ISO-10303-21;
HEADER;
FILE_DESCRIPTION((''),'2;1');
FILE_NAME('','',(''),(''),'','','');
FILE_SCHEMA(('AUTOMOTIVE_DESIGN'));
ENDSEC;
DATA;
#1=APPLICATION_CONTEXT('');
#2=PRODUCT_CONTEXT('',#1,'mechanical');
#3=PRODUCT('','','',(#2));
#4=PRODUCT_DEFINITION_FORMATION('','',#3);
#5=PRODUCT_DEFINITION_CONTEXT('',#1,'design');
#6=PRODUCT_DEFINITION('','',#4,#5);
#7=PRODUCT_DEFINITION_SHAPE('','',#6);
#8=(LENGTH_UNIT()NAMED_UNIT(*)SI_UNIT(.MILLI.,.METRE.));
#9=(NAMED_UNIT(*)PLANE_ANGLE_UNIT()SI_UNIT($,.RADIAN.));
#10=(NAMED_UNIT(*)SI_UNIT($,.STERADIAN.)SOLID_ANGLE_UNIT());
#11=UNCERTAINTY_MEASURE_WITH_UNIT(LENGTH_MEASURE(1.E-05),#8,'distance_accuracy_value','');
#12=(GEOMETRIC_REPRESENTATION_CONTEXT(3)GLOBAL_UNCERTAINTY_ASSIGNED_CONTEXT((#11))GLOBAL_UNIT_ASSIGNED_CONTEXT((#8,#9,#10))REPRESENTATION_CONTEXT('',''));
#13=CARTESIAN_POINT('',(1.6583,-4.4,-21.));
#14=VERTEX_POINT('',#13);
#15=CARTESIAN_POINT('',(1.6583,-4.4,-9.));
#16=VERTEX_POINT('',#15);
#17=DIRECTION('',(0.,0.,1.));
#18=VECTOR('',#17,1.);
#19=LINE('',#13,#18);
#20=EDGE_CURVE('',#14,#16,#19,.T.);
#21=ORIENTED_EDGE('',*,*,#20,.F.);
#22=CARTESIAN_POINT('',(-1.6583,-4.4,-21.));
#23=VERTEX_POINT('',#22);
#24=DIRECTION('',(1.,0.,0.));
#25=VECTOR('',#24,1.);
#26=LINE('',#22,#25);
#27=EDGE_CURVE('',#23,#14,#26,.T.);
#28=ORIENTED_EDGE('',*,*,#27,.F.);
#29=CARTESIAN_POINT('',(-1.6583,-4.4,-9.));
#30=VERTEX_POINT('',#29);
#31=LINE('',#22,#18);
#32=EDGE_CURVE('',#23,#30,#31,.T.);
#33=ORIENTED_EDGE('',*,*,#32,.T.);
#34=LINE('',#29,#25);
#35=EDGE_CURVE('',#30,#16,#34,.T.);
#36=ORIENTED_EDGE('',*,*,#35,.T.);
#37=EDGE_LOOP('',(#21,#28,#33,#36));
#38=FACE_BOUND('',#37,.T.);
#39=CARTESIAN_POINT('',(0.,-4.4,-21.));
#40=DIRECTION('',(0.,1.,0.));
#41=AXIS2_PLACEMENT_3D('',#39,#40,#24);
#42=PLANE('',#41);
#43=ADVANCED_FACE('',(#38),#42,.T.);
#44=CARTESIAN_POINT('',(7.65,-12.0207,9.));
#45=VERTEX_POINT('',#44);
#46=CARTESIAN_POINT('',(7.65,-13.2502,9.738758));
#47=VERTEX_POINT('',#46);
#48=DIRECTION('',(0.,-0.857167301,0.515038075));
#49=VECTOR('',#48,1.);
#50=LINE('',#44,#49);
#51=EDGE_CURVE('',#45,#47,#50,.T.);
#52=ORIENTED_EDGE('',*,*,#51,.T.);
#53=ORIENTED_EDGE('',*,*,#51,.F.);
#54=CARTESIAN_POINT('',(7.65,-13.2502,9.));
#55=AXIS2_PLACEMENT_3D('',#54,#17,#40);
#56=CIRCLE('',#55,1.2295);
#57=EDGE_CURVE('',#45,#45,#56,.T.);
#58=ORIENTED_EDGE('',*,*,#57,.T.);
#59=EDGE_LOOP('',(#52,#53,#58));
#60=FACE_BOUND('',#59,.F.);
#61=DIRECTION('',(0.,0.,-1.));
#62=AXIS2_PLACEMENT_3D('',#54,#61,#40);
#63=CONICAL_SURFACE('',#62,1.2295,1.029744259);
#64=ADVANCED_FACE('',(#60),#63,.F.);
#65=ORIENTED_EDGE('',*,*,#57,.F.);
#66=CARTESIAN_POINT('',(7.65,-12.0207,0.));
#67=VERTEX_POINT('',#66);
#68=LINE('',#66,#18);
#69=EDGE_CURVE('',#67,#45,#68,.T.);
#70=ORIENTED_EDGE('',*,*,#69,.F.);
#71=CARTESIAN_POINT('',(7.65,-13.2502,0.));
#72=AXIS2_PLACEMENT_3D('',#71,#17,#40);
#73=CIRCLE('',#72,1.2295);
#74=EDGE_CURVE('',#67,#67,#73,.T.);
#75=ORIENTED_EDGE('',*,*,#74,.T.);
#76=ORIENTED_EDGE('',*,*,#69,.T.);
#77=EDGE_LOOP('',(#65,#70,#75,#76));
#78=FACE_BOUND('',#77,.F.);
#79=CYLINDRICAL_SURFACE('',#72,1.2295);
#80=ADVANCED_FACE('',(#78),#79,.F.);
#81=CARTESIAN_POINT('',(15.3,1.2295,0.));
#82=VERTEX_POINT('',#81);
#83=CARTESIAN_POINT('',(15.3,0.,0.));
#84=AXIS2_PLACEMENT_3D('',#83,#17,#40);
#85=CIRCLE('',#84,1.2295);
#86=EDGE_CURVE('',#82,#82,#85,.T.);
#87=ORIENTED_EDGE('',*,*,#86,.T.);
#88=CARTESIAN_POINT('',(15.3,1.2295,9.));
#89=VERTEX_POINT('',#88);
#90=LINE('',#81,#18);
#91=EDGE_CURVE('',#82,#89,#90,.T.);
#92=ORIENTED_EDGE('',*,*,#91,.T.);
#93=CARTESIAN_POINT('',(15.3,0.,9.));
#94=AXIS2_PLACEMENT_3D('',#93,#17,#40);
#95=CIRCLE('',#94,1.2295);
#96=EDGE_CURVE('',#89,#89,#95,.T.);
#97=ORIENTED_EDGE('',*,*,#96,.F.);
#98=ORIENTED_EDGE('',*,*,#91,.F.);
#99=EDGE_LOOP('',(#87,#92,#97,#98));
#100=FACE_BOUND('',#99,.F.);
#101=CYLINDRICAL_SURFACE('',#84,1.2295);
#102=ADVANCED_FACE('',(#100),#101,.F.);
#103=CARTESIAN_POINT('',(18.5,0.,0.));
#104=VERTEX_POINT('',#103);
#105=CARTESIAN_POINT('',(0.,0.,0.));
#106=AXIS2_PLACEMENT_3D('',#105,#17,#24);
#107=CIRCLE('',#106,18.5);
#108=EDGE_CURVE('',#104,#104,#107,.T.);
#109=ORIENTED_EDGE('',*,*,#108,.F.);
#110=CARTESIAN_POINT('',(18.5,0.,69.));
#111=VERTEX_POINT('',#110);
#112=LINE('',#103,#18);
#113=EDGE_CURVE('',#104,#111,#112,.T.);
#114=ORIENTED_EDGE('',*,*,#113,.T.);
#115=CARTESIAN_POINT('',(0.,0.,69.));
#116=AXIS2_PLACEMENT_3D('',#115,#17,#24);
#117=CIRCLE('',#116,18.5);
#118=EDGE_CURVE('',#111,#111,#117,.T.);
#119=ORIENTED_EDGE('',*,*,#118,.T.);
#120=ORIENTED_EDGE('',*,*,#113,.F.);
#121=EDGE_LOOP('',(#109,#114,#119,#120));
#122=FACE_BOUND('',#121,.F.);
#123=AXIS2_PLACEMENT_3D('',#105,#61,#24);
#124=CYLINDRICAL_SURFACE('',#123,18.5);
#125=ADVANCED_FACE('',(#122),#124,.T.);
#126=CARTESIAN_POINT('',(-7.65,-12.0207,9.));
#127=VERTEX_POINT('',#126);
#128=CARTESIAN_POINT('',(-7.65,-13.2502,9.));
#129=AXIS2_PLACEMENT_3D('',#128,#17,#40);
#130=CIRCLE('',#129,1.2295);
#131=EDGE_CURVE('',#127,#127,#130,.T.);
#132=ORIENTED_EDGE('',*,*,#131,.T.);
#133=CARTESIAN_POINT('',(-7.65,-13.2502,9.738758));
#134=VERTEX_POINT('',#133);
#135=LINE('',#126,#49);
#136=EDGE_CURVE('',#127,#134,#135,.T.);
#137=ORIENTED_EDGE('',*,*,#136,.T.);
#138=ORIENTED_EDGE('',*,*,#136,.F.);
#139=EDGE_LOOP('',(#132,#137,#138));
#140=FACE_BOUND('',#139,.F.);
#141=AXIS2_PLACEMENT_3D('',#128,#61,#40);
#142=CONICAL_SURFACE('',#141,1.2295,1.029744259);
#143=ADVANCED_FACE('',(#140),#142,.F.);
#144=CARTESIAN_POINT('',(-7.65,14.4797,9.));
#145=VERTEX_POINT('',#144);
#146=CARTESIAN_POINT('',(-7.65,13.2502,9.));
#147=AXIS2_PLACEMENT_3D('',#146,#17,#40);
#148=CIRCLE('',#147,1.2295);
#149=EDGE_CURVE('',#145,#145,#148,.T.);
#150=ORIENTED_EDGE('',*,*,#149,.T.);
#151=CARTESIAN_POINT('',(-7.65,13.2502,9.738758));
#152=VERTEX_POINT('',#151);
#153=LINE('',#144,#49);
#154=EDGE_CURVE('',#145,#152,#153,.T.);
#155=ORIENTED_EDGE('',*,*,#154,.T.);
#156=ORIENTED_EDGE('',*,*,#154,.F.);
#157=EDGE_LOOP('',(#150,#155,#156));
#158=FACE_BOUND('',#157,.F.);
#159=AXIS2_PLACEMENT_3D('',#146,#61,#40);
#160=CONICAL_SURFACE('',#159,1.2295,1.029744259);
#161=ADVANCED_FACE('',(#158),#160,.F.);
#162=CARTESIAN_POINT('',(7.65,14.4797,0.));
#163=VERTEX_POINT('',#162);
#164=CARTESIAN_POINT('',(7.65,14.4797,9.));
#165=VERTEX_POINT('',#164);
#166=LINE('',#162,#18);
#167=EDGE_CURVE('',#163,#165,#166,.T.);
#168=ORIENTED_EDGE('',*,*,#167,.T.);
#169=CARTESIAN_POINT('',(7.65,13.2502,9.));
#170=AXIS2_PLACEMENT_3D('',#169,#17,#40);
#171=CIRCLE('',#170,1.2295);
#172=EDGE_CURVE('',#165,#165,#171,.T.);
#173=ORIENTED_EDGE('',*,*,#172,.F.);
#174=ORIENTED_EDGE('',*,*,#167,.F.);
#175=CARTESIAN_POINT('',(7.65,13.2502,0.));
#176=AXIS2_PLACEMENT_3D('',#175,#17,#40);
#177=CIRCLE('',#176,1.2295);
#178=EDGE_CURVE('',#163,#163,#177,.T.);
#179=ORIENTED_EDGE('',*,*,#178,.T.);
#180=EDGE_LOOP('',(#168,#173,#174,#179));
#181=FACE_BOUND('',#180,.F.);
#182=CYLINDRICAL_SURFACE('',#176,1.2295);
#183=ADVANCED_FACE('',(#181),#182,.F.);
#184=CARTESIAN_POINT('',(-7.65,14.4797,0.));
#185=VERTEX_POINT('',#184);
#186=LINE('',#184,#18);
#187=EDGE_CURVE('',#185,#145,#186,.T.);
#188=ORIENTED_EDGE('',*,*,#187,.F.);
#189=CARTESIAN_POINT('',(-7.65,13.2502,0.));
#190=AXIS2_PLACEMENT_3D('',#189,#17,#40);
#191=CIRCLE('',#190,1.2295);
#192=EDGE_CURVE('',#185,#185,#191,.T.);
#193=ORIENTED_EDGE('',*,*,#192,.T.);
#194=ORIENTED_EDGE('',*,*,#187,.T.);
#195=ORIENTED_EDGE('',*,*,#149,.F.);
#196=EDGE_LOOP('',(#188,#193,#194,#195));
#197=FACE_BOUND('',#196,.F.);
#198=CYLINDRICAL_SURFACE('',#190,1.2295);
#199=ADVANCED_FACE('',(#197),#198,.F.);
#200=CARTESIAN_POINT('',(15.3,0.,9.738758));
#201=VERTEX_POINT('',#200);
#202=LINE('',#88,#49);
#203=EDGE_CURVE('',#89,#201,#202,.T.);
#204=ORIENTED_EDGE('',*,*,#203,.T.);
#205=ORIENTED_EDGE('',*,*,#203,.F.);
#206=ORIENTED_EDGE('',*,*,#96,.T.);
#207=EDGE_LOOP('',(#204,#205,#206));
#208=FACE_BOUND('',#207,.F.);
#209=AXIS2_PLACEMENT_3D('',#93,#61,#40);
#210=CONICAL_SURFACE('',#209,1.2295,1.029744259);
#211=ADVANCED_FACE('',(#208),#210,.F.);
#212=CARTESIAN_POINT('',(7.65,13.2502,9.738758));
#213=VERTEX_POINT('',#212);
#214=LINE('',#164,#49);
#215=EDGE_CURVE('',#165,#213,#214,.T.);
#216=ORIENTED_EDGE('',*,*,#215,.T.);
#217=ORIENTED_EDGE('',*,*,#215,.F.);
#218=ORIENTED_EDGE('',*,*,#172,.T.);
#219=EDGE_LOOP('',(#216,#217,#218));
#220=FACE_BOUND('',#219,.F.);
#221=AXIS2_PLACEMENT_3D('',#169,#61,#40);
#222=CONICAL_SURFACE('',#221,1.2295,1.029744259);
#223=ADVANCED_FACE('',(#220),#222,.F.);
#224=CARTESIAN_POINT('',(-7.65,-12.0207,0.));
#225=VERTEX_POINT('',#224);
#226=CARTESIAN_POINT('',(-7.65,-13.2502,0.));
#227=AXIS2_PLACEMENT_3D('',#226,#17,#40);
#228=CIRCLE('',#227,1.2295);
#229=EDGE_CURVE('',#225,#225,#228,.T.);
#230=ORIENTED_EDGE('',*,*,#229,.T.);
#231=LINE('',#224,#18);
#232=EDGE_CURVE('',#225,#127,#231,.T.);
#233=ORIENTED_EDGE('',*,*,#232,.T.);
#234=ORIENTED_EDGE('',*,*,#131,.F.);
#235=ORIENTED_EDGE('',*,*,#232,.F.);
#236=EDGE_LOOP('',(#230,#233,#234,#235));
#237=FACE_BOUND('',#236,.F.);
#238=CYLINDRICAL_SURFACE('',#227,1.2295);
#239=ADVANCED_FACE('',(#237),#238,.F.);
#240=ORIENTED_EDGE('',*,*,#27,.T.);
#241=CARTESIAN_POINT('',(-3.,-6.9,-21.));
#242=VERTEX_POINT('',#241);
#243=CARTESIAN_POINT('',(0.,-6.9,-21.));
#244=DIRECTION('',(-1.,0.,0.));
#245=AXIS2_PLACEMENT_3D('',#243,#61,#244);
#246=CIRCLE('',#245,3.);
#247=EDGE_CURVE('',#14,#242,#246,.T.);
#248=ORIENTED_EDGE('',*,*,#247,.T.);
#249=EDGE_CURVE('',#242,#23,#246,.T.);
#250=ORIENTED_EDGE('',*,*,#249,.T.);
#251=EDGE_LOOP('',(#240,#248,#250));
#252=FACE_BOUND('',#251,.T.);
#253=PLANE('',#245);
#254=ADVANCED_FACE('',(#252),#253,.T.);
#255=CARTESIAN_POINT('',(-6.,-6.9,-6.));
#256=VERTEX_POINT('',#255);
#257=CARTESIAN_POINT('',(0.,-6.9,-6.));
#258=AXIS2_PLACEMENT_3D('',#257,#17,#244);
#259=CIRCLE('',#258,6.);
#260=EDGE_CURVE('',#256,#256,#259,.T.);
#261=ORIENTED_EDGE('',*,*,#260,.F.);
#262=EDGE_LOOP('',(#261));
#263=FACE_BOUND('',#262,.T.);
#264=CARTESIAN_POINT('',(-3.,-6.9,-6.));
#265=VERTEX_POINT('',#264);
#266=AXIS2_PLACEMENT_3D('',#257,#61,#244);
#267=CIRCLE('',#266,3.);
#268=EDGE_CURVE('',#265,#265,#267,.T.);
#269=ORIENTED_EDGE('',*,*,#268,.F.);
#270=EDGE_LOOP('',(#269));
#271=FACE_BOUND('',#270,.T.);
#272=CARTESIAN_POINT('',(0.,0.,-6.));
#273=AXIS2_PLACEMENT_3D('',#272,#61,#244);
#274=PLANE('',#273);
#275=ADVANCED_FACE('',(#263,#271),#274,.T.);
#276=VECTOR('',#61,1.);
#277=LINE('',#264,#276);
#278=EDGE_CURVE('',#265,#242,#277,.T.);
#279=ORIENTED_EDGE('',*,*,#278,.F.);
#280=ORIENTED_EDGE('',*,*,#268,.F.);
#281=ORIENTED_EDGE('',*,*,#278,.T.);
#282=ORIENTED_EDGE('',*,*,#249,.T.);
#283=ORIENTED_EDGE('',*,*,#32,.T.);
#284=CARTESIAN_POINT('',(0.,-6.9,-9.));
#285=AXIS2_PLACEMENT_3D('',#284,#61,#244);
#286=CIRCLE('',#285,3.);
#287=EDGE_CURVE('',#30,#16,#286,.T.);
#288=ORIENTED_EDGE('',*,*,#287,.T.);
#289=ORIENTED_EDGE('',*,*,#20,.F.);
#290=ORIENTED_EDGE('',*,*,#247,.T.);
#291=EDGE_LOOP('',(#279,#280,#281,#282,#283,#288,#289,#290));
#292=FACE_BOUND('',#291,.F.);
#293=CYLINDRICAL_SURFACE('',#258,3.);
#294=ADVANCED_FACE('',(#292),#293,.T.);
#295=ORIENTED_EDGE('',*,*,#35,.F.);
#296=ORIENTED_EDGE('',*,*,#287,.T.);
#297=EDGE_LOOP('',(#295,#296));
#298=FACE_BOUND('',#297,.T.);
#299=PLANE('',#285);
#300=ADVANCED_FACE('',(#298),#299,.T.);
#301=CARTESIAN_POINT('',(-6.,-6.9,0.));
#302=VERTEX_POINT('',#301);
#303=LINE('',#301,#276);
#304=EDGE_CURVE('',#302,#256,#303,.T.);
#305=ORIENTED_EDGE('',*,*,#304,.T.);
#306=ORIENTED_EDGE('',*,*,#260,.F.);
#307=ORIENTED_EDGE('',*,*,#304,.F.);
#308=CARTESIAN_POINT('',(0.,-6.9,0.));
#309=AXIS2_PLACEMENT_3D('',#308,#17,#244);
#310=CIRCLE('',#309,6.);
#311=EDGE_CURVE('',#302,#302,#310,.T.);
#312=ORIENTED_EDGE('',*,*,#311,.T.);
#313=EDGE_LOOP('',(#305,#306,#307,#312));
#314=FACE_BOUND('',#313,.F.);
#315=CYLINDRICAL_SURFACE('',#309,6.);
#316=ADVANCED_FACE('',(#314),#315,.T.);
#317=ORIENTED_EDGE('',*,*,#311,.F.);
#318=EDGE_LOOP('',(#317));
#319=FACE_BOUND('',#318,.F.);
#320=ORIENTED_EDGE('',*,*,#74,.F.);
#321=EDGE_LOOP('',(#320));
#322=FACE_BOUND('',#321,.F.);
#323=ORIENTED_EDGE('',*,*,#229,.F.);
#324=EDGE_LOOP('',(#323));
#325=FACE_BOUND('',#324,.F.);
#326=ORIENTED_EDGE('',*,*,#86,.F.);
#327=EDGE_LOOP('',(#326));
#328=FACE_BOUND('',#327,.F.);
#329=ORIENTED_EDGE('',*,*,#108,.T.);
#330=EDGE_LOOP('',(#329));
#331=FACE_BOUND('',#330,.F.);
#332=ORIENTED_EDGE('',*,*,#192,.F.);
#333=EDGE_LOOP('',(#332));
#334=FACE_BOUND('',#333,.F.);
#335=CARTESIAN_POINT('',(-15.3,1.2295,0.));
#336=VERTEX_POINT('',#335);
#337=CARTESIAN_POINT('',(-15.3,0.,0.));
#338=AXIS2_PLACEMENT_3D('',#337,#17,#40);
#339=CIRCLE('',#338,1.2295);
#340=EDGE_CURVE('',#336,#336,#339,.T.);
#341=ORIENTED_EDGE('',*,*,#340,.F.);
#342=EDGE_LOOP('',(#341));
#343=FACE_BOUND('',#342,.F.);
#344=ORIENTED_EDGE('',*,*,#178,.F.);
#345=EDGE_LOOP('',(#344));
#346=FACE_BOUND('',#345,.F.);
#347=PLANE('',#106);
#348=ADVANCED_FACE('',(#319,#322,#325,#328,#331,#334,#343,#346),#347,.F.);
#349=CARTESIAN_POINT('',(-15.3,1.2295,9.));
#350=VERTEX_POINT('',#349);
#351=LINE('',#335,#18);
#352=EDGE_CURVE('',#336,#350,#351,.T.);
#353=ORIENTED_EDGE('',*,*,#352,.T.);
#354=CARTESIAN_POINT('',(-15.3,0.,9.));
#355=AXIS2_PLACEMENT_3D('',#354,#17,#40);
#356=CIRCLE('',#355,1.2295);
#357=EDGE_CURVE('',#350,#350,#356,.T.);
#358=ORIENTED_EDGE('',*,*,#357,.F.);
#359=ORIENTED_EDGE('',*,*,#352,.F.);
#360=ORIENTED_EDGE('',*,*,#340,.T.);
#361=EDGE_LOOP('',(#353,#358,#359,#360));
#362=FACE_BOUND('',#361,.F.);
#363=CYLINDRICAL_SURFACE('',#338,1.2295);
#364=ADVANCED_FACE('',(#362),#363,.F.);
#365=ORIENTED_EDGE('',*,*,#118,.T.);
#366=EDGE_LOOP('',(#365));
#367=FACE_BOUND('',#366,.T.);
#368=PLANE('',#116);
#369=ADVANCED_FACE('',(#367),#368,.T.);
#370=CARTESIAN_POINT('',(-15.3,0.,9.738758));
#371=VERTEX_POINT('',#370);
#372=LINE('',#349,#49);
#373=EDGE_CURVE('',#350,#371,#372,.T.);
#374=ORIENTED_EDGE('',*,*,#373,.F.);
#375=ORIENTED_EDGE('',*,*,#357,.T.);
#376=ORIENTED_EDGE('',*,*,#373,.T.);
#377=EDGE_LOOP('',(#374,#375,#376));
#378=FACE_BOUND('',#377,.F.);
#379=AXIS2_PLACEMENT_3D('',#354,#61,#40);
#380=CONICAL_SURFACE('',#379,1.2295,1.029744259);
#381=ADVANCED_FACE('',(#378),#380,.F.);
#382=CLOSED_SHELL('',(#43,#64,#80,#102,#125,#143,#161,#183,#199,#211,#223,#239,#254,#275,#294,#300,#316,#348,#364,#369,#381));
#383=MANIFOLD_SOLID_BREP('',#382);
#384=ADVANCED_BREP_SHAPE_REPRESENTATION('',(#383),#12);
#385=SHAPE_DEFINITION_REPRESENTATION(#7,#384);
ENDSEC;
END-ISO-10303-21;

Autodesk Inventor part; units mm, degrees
ref_plane "YZ Plane" through (0, 0, 0) normal (1, 0, 0) x (0, 1, 0)
ref_plane "XZ Plane" through (0, 0, 0) normal (0, 1, 0) x (-1, 0, 0)
ref_plane "XY Plane" through (0, 0, 0) normal (0, 0, 1) x (1, 0, 0)
sketch "Schizzo1" plane through (0, 0, 0) normal (0, 0, 1) x (1, 0, 0)
  circle A0 centre (0, 0) radius 18.5
  dimension "d0" = 37
extrude "Estrusione1" add sketch "Schizzo1" along normal blind 69
sketch "Schizzo2" plane through (0, 0, 0) normal (0, 0, -1) x (-1, 0, 0)
  line L0 (0, 0) -> (15.3, 0)
  line L1 (0, 0) -> (15.3, 0) construction
  point P0 (7.65, 13.2502)
  point P1 (-7.65, 13.2502)
  point P2 (-15.3, 0)
  point P3 (-7.65, -13.2502)
  point P4 (7.65, -13.2502)
  dimension "d3" = 15.3
  dimension "d4" = 0
  dimension "d7" = 360
hole "Foro1" at (7.65, 13.2502, 0) at (-7.65, 13.2502, 0) at (15.3, 0, 0) at (7.65, -13.2502, 0) at (-7.65, -13.2502, 0) at (-15.3, 0, 0) direction (0, 0, 1) diameter 2.459 depth 9 tip angle 118 thread size "M3x0.5" class "6H" standard "ISO Metric profile"
sketch "Schizzo3" plane through (0, 0, 0) normal (0, 0, -1) x (-1, 0, 0)
  circle A0 centre (0, 0) radius 18.5 projected
  line L0 (0, 18.5) -> (0, -0.9)
  line L1 (0, -0.9) -> (0, -6.9)
  circle A1 centre (0, -6.9) radius 6
  dimension "d16" = 19.4
  dimension "d17" = 6
  dimension "d18" = 12
extrude "Estrusione2" add sketch "Schizzo3" along normal blind 6 contours A1
sketch "Schizzo4" plane through (0, -6.9, -6) normal (0, 0, -1) x (-1, 0, 0)
  circle A0 centre (0, 0) radius 6 projected
  circle A1 centre (0, 0) radius 3
  point P0 (0, 6.9)
  dimension "d21" = 6
extrude "Estrusione3" add sketch "Schizzo4" along normal blind 15 contours A1
sketch "Schizzo5" plane through (0, -6.9, -21) normal (0, 0, -1) x (-1, 0, 0)
  circle A0 centre (0, 0) radius 3
  circle A1 centre (0, 0) radius 3 projected
  line L0 (0, -3) -> (0, 2.5)
  line L1 (0, -3) -> (5.5, -3) construction
  line L2 (22.7528, -2.6034) -> (26.4877, -2.6034) construction
  line L3 (0, 2.5) -> (-1.6583, 2.5)
  line L4 (0, 2.5) -> (1.6583, 2.5)
  point P0 (0, 6.9)
  dimension "d24" = 6
  dimension "d25" = 5.5
  dimension "d26" = 90
extrude "Estrusione4" cut sketch "Schizzo5" against normal blind 12 contours L4 L3 A0
properties part number "29_Motore_6mm"
